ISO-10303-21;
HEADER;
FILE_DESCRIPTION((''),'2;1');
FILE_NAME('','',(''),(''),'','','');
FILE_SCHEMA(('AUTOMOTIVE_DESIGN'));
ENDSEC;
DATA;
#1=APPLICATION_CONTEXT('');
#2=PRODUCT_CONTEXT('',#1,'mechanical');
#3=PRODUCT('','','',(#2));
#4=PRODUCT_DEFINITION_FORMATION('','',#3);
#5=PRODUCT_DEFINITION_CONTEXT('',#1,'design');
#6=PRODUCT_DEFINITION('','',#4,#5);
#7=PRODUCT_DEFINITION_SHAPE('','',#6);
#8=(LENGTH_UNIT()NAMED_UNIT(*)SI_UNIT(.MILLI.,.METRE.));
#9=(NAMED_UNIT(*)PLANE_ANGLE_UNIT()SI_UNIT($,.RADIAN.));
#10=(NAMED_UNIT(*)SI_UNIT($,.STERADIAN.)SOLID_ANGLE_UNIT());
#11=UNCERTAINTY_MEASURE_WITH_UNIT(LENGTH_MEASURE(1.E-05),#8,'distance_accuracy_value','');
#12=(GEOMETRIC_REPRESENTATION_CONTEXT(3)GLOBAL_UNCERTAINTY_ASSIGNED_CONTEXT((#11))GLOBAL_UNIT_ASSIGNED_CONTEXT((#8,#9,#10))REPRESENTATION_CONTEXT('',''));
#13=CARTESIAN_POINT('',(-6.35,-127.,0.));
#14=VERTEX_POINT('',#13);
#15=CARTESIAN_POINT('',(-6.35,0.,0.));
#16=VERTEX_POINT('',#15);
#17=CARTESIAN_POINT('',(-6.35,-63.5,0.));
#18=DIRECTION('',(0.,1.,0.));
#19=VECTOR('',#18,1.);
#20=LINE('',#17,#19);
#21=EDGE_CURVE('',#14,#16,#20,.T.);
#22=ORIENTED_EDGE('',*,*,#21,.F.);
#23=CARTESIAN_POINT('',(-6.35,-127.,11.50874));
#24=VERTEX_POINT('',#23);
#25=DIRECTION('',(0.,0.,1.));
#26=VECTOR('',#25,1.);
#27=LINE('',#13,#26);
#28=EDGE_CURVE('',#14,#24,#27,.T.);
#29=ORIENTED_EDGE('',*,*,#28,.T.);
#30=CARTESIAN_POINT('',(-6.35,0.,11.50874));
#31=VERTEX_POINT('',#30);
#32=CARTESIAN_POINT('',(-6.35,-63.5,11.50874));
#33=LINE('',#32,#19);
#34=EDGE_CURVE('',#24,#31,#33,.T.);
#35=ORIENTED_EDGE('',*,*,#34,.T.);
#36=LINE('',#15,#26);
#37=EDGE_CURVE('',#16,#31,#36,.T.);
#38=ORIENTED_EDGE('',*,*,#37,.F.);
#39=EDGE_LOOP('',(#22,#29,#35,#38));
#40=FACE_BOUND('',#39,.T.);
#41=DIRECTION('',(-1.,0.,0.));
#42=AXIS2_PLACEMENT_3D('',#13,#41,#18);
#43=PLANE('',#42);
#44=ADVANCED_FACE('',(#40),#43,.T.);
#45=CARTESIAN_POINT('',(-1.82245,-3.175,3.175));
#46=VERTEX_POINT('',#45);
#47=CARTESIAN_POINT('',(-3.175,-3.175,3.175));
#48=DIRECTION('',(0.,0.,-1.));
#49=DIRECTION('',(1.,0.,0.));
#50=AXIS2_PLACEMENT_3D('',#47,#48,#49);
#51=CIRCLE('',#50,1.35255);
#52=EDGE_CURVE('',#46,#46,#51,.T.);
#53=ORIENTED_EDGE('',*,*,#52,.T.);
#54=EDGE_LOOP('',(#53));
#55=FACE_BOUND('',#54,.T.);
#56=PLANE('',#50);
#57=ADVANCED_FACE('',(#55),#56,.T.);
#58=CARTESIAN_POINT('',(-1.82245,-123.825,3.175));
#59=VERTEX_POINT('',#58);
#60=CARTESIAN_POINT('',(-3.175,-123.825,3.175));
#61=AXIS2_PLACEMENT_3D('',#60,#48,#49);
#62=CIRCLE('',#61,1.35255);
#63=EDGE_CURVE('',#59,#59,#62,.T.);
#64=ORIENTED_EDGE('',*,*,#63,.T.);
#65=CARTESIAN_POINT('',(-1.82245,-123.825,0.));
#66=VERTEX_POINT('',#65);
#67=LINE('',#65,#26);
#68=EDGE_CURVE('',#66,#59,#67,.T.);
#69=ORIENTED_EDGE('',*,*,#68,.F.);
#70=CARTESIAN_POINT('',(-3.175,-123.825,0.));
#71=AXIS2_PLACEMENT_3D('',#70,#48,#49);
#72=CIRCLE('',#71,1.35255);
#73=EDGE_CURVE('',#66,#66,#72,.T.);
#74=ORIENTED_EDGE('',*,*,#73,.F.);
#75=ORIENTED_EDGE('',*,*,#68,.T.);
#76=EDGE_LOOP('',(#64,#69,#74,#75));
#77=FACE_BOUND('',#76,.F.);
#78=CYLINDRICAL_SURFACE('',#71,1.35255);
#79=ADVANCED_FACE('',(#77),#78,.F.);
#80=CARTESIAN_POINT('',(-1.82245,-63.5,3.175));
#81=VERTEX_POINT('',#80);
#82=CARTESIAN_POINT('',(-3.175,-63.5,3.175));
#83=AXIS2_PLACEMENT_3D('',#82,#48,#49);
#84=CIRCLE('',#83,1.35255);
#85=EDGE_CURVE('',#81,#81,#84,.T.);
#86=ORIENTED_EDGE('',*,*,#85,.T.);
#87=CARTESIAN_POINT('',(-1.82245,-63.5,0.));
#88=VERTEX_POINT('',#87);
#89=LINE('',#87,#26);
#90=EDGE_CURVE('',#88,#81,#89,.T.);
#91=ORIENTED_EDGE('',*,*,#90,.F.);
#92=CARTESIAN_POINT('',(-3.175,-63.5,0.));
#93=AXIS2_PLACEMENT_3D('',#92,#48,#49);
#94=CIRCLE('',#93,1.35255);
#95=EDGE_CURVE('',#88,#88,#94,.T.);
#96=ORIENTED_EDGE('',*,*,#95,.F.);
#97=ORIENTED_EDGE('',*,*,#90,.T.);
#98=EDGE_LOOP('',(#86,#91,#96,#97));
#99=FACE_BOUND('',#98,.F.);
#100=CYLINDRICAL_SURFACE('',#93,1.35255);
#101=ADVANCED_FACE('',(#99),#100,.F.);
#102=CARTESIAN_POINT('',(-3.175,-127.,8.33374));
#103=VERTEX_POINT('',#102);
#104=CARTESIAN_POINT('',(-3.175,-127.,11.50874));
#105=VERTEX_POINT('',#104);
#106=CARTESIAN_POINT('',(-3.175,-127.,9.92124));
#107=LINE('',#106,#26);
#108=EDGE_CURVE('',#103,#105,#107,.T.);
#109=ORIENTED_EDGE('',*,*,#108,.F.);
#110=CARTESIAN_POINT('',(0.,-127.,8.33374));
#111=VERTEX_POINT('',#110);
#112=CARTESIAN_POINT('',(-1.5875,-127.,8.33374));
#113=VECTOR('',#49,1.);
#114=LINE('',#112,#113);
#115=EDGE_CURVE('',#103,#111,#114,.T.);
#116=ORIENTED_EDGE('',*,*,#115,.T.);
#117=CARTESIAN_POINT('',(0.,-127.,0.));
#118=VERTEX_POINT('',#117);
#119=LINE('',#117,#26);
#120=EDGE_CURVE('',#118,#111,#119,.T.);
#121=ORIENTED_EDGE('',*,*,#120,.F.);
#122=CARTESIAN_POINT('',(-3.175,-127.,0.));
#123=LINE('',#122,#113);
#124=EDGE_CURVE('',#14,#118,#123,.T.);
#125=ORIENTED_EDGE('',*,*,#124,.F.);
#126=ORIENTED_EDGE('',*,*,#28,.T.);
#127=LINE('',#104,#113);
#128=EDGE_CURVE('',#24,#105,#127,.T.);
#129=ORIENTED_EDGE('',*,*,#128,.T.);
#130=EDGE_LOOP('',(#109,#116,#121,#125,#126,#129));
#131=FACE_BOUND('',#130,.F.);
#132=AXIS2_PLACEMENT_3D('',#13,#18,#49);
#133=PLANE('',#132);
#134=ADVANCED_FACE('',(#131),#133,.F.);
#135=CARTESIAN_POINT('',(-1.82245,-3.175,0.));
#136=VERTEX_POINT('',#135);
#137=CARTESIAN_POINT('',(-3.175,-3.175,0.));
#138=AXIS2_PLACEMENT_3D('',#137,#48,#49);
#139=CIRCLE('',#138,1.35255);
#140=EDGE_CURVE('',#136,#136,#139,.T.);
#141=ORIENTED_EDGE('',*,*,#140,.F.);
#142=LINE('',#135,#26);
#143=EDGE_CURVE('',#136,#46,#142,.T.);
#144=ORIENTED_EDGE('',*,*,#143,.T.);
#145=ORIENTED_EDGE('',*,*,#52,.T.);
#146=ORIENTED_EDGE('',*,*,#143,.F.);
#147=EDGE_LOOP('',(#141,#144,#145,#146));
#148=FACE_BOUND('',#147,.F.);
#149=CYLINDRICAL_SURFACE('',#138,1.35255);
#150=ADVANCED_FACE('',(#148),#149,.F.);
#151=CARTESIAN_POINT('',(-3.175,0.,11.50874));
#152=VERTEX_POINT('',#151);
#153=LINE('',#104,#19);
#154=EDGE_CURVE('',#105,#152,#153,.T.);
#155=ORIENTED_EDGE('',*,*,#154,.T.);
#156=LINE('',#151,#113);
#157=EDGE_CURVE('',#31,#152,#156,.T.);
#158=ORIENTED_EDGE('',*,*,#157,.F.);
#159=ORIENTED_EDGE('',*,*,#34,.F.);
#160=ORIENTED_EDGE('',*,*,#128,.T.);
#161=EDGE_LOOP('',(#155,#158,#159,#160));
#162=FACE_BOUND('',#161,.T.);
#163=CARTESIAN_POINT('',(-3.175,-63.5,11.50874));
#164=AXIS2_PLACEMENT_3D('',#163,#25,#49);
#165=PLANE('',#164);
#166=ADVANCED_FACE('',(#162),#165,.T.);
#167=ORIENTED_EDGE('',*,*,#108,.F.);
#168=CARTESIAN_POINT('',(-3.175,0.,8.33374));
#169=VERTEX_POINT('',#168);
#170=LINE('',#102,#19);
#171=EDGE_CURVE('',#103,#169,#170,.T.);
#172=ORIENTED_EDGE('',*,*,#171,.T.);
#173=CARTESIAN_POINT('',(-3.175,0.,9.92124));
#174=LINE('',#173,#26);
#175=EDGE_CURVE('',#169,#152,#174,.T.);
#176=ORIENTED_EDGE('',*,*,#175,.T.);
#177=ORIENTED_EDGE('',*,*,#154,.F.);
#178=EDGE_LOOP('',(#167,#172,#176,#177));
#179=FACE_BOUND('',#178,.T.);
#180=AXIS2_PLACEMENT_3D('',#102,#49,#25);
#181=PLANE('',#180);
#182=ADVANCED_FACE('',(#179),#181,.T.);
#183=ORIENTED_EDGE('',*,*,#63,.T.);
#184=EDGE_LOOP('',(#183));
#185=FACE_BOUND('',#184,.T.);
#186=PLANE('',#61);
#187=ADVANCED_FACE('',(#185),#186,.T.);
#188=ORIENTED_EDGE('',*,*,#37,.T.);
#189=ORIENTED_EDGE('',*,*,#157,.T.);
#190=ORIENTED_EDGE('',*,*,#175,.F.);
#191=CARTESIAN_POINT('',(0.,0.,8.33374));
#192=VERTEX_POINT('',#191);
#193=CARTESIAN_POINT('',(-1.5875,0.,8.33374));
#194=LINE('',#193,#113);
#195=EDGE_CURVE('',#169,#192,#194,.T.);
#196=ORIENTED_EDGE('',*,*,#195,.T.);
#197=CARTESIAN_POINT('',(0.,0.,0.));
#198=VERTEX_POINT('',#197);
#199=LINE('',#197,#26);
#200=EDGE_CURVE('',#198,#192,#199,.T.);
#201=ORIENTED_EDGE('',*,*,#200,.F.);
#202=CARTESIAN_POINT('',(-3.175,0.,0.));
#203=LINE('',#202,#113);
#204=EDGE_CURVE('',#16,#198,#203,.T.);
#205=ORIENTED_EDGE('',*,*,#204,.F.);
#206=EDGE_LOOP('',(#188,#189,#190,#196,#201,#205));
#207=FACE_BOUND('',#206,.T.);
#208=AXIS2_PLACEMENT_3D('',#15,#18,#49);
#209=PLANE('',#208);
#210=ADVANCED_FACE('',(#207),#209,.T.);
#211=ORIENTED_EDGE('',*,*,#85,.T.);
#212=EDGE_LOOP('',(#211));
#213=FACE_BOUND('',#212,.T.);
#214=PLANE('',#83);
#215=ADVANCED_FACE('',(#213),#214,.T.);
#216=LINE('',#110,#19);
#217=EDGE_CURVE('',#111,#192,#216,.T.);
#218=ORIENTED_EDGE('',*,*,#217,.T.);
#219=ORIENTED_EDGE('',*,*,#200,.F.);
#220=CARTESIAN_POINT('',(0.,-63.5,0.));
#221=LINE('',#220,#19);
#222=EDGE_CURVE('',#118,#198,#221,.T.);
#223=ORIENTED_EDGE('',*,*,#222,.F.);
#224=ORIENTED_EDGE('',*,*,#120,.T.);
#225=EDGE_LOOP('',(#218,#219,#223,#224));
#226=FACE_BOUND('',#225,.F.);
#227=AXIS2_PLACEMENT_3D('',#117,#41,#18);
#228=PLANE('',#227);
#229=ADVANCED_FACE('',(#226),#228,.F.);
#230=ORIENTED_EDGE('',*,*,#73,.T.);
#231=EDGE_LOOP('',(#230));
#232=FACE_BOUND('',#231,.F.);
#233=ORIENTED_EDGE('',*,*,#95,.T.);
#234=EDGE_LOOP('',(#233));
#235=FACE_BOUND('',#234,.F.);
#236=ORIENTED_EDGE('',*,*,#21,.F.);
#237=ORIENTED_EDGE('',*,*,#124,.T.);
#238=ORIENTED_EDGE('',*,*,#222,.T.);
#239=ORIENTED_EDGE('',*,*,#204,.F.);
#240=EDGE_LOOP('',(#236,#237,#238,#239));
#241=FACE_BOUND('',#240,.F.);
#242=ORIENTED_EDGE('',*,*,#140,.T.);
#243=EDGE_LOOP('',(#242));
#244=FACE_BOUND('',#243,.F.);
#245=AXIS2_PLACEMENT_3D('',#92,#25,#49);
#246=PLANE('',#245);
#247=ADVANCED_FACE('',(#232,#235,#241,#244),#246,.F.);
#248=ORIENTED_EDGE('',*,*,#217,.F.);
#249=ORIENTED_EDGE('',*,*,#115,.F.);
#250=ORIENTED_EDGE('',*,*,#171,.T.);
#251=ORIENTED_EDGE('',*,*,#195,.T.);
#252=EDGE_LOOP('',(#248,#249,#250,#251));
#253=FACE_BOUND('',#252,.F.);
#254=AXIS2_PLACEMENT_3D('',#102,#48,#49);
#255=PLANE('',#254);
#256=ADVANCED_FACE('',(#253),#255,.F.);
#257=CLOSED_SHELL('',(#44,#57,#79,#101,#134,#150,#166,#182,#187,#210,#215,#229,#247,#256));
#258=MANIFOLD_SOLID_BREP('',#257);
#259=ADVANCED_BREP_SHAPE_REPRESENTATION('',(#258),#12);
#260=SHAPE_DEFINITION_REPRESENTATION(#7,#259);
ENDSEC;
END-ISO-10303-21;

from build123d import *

# Parameters (mm, degrees)
F0_W     = 6.35
F0_H     = 127
F1_DEPTH = 11.50874
F2_W     = 3.175
F2_H     = 3.175
F3_DEPTH = 127
F4_R     = 1.35255
F5_DEPTH = 3.175


with BuildPart() as f1:
    # F0 (on Top) → F1 (new body)
    with BuildSketch(Plane.XY):
        with Locations((-3.175, -63.5)):
            Rectangle(F0_W, F0_H)
    extrude(amount=F1_DEPTH)

    # F2 (on face) → F3 (cut, through all)
    with BuildSketch(Plane.XZ.offset(127)):
        with Locations((-1.5875, 9.92124)):
            Rectangle(F2_W, F2_H)
    extrude(amount=-F3_DEPTH, mode=Mode.SUBTRACT)

    # F4 (on face) → F5 (cut)
    with BuildSketch(Plane(origin=(0, 0, 0), x_dir=(1, 0, 0), z_dir=(0, 0, -1))):
        with Locations((-3.175, 123.825)):
            Circle(F4_R)
        with Locations((-3.175, 63.5)):
            Circle(F4_R)
        with Locations((-3.175, 3.175)):
            Circle(F4_R)
    extrude(amount=-F5_DEPTH, mode=Mode.SUBTRACT)


solid = f1.part
